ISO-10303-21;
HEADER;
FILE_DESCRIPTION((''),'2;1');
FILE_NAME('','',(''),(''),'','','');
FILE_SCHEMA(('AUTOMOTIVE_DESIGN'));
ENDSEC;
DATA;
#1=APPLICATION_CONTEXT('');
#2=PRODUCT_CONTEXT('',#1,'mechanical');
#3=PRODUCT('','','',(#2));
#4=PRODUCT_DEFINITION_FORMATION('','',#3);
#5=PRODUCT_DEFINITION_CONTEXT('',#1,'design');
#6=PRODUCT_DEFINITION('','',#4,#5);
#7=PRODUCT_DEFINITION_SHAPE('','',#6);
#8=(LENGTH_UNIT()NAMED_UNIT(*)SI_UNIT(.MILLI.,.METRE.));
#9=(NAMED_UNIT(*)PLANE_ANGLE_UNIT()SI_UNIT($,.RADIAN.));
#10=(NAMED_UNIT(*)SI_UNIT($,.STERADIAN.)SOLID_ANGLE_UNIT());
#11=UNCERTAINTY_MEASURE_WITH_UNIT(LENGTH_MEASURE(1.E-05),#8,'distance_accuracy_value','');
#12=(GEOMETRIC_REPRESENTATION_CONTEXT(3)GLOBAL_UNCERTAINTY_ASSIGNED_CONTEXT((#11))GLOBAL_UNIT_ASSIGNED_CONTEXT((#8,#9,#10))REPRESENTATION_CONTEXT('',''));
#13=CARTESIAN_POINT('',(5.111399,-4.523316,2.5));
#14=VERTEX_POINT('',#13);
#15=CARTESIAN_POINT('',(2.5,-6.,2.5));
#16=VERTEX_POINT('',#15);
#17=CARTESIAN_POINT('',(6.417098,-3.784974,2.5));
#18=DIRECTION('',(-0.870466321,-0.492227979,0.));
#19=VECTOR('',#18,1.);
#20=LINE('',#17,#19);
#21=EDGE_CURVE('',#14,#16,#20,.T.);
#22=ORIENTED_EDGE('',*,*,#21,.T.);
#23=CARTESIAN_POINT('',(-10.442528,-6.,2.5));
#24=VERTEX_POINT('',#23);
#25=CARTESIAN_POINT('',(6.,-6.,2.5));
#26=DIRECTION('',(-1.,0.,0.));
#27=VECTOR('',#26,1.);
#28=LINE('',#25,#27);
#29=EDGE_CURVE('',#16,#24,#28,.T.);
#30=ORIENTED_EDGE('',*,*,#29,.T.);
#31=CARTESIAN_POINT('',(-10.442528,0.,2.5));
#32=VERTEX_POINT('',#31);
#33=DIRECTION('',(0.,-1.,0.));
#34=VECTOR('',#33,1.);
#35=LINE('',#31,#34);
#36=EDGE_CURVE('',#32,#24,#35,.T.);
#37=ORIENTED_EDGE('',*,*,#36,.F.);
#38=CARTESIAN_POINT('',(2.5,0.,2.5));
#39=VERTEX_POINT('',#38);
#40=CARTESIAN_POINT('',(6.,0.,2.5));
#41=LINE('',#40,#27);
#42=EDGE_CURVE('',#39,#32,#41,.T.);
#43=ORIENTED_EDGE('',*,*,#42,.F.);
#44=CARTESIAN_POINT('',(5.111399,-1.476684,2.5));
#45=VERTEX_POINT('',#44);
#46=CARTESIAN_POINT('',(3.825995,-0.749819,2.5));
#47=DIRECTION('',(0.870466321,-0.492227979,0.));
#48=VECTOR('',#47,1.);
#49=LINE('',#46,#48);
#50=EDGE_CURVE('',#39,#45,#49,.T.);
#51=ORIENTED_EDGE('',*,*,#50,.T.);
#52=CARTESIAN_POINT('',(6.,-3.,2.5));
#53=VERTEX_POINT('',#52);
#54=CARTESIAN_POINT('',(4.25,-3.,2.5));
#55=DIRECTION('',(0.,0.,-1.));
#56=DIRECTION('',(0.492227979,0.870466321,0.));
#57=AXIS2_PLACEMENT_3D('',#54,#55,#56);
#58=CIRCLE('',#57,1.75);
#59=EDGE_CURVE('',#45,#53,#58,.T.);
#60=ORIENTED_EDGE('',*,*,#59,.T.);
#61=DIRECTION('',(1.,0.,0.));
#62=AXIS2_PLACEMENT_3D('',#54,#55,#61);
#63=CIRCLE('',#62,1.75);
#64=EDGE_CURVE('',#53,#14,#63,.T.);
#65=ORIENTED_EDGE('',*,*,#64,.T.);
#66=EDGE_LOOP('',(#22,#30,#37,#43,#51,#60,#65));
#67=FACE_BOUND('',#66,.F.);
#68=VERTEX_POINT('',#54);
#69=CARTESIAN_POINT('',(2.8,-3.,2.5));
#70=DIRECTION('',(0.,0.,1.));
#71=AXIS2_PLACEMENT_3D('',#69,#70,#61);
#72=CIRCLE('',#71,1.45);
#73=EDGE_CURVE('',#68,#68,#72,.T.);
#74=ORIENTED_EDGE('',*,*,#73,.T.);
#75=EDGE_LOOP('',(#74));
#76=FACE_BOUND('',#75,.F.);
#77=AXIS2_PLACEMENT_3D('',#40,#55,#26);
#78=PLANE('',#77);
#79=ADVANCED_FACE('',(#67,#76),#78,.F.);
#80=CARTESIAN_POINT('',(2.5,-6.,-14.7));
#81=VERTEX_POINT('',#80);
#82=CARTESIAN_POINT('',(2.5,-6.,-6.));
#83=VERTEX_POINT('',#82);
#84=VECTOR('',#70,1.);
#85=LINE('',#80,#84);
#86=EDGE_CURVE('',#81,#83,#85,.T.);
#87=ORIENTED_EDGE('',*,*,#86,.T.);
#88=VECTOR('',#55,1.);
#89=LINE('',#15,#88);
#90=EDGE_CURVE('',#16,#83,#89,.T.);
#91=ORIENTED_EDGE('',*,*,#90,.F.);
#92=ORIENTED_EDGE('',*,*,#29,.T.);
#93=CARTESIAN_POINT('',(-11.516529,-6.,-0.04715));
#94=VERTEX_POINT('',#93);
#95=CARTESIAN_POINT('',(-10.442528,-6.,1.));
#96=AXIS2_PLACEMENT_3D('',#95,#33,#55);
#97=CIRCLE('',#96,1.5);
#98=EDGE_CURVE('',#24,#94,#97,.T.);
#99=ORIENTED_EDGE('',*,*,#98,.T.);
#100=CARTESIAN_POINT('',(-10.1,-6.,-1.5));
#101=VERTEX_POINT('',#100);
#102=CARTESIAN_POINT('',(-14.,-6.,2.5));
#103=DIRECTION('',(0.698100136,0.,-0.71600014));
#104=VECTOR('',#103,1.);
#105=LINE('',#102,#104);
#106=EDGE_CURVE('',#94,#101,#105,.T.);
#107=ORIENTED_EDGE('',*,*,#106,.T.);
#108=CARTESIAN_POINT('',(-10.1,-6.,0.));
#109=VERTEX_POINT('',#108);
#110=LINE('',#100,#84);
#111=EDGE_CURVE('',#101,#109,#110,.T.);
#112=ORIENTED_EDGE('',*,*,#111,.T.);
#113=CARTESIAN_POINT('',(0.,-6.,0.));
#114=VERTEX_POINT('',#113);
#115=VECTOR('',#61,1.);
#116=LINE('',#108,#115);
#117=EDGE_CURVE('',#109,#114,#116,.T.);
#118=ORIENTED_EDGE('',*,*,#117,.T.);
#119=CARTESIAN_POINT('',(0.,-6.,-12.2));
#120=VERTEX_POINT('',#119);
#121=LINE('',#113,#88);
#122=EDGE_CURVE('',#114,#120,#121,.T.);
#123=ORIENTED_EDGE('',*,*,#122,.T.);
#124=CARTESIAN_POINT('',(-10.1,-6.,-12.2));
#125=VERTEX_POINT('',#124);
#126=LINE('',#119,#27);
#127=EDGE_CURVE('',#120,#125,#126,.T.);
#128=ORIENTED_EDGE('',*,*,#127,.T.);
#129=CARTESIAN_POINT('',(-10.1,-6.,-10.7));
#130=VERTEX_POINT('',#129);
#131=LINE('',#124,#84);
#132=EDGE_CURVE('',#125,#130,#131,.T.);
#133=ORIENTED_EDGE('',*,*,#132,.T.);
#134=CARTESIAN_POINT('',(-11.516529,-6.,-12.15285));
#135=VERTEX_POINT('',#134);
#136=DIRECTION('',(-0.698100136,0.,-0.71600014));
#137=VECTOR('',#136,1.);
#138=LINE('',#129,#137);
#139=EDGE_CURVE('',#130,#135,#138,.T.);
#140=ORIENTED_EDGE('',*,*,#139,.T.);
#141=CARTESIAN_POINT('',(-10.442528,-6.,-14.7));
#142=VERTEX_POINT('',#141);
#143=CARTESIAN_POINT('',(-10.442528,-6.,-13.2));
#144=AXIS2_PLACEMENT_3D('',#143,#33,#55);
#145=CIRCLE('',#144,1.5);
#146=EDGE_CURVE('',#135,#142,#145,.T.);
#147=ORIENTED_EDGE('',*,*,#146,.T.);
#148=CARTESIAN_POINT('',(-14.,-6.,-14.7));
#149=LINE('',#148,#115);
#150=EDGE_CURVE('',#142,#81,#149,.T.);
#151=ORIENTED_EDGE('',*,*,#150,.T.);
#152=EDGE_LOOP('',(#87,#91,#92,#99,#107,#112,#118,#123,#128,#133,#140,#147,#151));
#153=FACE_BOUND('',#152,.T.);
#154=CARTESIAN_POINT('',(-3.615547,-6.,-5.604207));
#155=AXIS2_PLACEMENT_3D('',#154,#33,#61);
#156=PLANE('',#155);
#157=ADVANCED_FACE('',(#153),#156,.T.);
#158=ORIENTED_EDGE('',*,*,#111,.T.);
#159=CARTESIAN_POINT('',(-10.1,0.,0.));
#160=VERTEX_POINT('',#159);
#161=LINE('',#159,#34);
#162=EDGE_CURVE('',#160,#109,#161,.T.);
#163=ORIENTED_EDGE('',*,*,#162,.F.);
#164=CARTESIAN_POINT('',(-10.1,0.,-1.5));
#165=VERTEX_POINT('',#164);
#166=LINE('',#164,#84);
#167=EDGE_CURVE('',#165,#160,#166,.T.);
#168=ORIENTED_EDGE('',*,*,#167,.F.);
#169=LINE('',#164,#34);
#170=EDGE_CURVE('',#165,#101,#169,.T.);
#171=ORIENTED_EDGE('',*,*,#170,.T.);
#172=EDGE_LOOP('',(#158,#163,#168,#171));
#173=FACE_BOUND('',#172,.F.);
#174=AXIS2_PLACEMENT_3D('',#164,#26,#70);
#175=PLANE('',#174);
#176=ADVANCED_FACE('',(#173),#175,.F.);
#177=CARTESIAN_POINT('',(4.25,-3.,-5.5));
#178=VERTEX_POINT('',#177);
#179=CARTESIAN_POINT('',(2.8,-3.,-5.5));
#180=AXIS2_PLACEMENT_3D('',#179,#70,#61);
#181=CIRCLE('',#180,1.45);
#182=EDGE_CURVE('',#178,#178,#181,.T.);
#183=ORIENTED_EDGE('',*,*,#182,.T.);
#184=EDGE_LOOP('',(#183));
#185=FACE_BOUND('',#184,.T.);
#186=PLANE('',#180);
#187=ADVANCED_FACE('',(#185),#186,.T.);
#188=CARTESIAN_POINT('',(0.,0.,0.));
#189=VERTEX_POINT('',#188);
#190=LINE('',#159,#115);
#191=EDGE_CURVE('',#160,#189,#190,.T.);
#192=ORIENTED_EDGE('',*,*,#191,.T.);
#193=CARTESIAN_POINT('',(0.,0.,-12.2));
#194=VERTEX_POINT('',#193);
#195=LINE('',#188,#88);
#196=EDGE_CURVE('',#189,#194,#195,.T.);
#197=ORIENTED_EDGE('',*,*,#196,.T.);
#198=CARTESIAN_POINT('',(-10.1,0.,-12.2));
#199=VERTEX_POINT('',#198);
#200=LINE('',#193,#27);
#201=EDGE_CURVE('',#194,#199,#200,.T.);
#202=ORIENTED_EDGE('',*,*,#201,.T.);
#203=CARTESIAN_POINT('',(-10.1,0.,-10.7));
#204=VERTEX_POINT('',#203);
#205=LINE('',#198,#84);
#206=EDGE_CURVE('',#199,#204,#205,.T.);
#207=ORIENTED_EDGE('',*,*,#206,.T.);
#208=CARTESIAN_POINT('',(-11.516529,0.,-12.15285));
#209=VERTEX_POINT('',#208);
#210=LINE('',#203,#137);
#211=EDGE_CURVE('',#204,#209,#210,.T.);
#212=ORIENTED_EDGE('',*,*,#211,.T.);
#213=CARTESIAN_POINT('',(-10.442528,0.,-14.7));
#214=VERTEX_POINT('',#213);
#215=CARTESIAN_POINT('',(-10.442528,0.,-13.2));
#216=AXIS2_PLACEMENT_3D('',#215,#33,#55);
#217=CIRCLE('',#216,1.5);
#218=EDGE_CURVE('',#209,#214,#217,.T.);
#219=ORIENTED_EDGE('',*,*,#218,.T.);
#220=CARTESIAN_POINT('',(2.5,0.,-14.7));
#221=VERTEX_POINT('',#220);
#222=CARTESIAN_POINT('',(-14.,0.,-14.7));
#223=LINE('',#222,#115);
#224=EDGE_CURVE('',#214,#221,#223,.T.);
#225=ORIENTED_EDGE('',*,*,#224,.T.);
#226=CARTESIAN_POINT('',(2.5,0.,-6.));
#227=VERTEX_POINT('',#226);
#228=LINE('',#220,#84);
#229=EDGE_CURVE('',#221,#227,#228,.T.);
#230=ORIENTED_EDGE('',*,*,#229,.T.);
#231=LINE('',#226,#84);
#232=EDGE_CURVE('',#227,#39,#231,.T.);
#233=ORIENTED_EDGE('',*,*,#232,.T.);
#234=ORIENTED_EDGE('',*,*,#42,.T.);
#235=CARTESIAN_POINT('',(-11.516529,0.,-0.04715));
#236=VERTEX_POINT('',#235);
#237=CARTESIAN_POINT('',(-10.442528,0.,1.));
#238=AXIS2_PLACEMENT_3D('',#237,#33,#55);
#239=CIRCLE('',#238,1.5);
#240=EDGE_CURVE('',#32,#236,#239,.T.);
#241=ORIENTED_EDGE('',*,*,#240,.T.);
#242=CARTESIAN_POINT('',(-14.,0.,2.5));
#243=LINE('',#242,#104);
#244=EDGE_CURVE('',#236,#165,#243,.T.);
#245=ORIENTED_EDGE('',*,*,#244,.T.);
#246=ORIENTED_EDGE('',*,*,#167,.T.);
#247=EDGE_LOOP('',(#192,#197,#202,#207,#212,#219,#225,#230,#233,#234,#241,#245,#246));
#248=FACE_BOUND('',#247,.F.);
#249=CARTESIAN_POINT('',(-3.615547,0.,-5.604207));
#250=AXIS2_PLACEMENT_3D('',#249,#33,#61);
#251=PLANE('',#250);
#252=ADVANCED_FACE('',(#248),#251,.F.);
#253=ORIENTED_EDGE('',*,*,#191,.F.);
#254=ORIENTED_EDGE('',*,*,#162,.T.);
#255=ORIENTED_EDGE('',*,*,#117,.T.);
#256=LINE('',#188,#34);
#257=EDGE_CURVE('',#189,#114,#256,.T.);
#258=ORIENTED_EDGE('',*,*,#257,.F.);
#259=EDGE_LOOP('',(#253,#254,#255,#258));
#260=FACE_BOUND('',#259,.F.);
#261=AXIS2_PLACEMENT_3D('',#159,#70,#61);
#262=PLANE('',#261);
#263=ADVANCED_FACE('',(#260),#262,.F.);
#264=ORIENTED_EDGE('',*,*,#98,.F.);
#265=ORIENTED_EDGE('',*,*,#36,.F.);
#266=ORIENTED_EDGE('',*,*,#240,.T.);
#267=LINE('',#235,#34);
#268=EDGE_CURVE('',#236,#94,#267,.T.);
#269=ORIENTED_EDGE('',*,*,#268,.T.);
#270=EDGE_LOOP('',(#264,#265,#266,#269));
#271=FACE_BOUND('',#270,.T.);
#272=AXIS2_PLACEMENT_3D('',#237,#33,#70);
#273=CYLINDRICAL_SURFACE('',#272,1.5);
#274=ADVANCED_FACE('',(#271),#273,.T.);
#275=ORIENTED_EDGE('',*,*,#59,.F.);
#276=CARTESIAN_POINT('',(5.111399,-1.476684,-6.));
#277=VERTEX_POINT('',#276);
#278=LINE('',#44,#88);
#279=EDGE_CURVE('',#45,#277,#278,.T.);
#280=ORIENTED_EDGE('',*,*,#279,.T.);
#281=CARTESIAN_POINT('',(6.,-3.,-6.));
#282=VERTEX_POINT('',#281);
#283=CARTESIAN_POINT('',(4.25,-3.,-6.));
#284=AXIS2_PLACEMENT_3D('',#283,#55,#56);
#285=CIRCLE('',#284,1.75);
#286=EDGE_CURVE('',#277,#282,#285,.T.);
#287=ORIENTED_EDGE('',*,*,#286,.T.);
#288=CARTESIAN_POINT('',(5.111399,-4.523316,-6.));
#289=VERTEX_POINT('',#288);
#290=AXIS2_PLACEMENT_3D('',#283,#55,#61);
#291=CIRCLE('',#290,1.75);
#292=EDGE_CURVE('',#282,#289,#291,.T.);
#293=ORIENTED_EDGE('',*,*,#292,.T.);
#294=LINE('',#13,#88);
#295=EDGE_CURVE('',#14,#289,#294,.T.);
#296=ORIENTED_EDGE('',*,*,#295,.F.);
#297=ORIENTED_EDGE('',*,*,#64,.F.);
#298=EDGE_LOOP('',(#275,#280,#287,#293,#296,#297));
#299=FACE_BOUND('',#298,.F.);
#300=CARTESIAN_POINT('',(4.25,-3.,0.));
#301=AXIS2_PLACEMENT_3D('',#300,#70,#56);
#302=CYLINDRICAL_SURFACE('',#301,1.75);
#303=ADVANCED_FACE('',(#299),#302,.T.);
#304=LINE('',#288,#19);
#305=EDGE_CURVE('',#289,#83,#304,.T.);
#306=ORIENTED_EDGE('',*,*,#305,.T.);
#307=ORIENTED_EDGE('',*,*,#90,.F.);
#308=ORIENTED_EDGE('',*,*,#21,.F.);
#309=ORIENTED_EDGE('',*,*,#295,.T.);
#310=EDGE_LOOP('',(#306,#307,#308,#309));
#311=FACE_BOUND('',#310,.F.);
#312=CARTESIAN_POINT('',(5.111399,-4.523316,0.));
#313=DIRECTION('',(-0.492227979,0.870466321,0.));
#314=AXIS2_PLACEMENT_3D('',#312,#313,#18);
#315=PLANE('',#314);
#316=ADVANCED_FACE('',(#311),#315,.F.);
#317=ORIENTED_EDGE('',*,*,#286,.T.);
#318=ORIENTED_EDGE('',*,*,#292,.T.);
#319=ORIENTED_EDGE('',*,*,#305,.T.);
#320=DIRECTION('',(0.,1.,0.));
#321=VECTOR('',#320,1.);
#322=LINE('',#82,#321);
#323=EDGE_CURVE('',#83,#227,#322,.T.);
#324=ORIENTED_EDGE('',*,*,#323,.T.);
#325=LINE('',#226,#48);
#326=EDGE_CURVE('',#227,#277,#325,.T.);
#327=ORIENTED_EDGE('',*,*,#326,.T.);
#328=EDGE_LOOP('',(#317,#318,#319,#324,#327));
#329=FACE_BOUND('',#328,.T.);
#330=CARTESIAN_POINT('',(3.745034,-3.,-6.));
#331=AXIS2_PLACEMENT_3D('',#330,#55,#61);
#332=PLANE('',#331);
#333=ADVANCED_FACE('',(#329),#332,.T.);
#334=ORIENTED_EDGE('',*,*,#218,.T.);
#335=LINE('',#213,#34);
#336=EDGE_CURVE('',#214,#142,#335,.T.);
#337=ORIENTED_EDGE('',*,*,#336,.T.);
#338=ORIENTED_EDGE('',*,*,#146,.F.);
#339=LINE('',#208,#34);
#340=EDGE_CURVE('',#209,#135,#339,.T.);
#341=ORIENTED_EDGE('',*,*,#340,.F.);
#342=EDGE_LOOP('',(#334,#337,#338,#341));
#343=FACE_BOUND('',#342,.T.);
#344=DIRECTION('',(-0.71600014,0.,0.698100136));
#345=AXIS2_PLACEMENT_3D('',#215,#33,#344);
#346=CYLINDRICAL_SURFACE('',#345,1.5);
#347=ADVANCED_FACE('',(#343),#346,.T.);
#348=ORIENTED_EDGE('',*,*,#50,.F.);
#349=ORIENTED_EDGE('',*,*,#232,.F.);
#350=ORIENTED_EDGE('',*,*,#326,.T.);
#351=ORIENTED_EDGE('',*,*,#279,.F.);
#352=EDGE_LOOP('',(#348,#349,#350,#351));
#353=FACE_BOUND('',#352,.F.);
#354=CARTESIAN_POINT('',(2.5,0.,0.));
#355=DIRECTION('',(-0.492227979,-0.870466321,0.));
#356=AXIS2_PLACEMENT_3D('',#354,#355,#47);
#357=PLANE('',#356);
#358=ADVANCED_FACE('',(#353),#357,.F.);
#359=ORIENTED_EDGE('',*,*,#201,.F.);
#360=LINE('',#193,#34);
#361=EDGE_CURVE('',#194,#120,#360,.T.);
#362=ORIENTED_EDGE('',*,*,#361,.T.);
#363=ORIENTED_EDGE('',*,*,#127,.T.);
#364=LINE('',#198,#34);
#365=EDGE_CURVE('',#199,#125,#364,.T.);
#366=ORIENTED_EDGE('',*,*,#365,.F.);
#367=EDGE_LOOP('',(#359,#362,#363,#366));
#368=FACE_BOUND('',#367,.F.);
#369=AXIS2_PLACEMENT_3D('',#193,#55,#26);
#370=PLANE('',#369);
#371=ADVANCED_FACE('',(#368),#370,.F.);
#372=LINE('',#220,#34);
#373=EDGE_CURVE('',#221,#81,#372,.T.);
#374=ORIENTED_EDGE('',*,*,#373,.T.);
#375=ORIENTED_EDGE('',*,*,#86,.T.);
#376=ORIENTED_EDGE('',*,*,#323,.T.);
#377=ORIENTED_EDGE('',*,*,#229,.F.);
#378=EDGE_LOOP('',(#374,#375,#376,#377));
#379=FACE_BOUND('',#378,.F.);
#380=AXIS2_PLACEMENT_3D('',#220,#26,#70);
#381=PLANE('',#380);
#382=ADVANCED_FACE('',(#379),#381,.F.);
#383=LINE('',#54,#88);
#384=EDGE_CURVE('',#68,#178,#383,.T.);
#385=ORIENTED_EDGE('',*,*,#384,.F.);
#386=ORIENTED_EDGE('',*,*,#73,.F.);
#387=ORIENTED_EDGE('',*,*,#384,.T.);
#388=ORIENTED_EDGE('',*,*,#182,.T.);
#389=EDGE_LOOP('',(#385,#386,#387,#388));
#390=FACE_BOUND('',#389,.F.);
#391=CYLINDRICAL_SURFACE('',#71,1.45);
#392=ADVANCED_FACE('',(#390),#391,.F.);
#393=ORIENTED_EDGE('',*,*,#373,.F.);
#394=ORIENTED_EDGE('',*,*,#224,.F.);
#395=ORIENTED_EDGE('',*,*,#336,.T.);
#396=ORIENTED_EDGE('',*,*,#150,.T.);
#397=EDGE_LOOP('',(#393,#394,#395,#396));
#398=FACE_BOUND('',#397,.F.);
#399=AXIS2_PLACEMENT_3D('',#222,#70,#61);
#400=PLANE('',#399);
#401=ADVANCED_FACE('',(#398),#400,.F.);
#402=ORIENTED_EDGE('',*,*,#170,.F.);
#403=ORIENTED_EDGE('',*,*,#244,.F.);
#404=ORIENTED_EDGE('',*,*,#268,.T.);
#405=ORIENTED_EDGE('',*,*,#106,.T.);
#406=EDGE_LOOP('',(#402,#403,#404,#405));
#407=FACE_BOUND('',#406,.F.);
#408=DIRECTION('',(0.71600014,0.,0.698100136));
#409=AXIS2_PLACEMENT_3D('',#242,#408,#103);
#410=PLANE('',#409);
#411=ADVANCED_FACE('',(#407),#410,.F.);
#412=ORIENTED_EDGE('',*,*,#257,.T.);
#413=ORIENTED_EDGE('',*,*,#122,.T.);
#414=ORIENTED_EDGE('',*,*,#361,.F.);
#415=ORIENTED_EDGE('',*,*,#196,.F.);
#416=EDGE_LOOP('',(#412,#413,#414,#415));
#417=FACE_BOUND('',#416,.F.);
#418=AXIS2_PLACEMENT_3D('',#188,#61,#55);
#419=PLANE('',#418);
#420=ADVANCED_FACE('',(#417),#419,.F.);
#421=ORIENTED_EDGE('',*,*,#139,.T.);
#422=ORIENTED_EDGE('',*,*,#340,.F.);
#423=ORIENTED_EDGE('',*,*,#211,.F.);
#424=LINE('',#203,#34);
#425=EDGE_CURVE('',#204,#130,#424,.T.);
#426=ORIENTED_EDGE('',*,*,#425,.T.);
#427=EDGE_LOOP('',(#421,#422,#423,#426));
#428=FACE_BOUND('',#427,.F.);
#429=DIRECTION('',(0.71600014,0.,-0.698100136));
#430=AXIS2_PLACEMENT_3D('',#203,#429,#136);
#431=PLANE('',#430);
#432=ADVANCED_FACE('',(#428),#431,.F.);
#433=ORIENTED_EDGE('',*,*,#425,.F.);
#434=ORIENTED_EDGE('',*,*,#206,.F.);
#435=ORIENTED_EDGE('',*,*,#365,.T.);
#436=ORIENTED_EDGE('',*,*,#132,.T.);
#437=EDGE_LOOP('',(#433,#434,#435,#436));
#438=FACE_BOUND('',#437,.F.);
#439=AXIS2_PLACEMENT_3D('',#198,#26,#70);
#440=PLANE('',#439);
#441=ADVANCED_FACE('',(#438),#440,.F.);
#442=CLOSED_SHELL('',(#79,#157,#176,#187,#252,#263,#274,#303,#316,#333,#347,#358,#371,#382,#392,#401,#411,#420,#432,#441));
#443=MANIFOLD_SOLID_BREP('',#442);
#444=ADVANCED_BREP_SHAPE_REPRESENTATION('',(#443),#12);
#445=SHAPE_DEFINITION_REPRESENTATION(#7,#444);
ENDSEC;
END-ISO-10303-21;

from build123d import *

# Parameters (mm, degrees)
F1_DEPTH = 6
F2_R     = 1.5
F4_DEPTH = 6
F5_DEPTH = 4
F6_R     = 1.45
F7_DEPTH = 8


with BuildPart() as f1:
    # F0 (on Front) → F1 (new body)
    with BuildSketch(Plane.XZ):
        Polygon((0, 0), (0, -12.2), (-10.1, -12.2), (-10.1, -10.7), (-14, -14.7), (2.5, -14.7), (2.5, 0), (6, 0), (6, 2.5), (-14, 2.5), (-10.1, -1.5), (-10.1, 0), align=None)
    extrude(amount=F1_DEPTH)

    # F2
    f2_edges = [f1.edges().sort_by_distance(p)[0] for p in [
        (-14, -3, -14.7),
        (-14, -3, 2.5),
    ]]
    fillet(f2_edges, radius=F2_R)

    # F3 (on face) → F4 (join)
    with BuildSketch(Plane(origin=(0, 0, 0), x_dir=(1, 0, 0), z_dir=(0, 0, -1))):
        with BuildLine():
            Line((2.5, 0), (5.1113989637, 1.4766839378))
            ThreePointArc((5.1113989637, 1.4766839378), (5.7616130766, 2.1182257053), (6, 3))
            ThreePointArc((6, 3), (5.7616130766, 3.8817742947), (5.1113989637, 4.5233160622))
            Line((5.1113989637, 4.5233160622), (2.5, 6))
            Line((2.5, 6), (2.5, 0))
        make_face()
    extrude(amount=F4_DEPTH)

    # F5 (cut): faces of the model
    f5_faces = [f1.faces().sort_by_distance(p)[0] for p in [
        (4.8789891279, -0.7262583823, 0),
        (4.8789891279, -5.2737416177, 0),
    ]]
    extrude(f5_faces, amount=-F5_DEPTH, mode=Mode.SUBTRACT)

    # F6 (on face) → F7 (cut)
    with BuildSketch(Plane.XY.offset(2.5)):
        with Locations((2.8, -3)):
            Circle(F6_R)
    extrude(amount=-F7_DEPTH, mode=Mode.SUBTRACT)


solid = f1.part
